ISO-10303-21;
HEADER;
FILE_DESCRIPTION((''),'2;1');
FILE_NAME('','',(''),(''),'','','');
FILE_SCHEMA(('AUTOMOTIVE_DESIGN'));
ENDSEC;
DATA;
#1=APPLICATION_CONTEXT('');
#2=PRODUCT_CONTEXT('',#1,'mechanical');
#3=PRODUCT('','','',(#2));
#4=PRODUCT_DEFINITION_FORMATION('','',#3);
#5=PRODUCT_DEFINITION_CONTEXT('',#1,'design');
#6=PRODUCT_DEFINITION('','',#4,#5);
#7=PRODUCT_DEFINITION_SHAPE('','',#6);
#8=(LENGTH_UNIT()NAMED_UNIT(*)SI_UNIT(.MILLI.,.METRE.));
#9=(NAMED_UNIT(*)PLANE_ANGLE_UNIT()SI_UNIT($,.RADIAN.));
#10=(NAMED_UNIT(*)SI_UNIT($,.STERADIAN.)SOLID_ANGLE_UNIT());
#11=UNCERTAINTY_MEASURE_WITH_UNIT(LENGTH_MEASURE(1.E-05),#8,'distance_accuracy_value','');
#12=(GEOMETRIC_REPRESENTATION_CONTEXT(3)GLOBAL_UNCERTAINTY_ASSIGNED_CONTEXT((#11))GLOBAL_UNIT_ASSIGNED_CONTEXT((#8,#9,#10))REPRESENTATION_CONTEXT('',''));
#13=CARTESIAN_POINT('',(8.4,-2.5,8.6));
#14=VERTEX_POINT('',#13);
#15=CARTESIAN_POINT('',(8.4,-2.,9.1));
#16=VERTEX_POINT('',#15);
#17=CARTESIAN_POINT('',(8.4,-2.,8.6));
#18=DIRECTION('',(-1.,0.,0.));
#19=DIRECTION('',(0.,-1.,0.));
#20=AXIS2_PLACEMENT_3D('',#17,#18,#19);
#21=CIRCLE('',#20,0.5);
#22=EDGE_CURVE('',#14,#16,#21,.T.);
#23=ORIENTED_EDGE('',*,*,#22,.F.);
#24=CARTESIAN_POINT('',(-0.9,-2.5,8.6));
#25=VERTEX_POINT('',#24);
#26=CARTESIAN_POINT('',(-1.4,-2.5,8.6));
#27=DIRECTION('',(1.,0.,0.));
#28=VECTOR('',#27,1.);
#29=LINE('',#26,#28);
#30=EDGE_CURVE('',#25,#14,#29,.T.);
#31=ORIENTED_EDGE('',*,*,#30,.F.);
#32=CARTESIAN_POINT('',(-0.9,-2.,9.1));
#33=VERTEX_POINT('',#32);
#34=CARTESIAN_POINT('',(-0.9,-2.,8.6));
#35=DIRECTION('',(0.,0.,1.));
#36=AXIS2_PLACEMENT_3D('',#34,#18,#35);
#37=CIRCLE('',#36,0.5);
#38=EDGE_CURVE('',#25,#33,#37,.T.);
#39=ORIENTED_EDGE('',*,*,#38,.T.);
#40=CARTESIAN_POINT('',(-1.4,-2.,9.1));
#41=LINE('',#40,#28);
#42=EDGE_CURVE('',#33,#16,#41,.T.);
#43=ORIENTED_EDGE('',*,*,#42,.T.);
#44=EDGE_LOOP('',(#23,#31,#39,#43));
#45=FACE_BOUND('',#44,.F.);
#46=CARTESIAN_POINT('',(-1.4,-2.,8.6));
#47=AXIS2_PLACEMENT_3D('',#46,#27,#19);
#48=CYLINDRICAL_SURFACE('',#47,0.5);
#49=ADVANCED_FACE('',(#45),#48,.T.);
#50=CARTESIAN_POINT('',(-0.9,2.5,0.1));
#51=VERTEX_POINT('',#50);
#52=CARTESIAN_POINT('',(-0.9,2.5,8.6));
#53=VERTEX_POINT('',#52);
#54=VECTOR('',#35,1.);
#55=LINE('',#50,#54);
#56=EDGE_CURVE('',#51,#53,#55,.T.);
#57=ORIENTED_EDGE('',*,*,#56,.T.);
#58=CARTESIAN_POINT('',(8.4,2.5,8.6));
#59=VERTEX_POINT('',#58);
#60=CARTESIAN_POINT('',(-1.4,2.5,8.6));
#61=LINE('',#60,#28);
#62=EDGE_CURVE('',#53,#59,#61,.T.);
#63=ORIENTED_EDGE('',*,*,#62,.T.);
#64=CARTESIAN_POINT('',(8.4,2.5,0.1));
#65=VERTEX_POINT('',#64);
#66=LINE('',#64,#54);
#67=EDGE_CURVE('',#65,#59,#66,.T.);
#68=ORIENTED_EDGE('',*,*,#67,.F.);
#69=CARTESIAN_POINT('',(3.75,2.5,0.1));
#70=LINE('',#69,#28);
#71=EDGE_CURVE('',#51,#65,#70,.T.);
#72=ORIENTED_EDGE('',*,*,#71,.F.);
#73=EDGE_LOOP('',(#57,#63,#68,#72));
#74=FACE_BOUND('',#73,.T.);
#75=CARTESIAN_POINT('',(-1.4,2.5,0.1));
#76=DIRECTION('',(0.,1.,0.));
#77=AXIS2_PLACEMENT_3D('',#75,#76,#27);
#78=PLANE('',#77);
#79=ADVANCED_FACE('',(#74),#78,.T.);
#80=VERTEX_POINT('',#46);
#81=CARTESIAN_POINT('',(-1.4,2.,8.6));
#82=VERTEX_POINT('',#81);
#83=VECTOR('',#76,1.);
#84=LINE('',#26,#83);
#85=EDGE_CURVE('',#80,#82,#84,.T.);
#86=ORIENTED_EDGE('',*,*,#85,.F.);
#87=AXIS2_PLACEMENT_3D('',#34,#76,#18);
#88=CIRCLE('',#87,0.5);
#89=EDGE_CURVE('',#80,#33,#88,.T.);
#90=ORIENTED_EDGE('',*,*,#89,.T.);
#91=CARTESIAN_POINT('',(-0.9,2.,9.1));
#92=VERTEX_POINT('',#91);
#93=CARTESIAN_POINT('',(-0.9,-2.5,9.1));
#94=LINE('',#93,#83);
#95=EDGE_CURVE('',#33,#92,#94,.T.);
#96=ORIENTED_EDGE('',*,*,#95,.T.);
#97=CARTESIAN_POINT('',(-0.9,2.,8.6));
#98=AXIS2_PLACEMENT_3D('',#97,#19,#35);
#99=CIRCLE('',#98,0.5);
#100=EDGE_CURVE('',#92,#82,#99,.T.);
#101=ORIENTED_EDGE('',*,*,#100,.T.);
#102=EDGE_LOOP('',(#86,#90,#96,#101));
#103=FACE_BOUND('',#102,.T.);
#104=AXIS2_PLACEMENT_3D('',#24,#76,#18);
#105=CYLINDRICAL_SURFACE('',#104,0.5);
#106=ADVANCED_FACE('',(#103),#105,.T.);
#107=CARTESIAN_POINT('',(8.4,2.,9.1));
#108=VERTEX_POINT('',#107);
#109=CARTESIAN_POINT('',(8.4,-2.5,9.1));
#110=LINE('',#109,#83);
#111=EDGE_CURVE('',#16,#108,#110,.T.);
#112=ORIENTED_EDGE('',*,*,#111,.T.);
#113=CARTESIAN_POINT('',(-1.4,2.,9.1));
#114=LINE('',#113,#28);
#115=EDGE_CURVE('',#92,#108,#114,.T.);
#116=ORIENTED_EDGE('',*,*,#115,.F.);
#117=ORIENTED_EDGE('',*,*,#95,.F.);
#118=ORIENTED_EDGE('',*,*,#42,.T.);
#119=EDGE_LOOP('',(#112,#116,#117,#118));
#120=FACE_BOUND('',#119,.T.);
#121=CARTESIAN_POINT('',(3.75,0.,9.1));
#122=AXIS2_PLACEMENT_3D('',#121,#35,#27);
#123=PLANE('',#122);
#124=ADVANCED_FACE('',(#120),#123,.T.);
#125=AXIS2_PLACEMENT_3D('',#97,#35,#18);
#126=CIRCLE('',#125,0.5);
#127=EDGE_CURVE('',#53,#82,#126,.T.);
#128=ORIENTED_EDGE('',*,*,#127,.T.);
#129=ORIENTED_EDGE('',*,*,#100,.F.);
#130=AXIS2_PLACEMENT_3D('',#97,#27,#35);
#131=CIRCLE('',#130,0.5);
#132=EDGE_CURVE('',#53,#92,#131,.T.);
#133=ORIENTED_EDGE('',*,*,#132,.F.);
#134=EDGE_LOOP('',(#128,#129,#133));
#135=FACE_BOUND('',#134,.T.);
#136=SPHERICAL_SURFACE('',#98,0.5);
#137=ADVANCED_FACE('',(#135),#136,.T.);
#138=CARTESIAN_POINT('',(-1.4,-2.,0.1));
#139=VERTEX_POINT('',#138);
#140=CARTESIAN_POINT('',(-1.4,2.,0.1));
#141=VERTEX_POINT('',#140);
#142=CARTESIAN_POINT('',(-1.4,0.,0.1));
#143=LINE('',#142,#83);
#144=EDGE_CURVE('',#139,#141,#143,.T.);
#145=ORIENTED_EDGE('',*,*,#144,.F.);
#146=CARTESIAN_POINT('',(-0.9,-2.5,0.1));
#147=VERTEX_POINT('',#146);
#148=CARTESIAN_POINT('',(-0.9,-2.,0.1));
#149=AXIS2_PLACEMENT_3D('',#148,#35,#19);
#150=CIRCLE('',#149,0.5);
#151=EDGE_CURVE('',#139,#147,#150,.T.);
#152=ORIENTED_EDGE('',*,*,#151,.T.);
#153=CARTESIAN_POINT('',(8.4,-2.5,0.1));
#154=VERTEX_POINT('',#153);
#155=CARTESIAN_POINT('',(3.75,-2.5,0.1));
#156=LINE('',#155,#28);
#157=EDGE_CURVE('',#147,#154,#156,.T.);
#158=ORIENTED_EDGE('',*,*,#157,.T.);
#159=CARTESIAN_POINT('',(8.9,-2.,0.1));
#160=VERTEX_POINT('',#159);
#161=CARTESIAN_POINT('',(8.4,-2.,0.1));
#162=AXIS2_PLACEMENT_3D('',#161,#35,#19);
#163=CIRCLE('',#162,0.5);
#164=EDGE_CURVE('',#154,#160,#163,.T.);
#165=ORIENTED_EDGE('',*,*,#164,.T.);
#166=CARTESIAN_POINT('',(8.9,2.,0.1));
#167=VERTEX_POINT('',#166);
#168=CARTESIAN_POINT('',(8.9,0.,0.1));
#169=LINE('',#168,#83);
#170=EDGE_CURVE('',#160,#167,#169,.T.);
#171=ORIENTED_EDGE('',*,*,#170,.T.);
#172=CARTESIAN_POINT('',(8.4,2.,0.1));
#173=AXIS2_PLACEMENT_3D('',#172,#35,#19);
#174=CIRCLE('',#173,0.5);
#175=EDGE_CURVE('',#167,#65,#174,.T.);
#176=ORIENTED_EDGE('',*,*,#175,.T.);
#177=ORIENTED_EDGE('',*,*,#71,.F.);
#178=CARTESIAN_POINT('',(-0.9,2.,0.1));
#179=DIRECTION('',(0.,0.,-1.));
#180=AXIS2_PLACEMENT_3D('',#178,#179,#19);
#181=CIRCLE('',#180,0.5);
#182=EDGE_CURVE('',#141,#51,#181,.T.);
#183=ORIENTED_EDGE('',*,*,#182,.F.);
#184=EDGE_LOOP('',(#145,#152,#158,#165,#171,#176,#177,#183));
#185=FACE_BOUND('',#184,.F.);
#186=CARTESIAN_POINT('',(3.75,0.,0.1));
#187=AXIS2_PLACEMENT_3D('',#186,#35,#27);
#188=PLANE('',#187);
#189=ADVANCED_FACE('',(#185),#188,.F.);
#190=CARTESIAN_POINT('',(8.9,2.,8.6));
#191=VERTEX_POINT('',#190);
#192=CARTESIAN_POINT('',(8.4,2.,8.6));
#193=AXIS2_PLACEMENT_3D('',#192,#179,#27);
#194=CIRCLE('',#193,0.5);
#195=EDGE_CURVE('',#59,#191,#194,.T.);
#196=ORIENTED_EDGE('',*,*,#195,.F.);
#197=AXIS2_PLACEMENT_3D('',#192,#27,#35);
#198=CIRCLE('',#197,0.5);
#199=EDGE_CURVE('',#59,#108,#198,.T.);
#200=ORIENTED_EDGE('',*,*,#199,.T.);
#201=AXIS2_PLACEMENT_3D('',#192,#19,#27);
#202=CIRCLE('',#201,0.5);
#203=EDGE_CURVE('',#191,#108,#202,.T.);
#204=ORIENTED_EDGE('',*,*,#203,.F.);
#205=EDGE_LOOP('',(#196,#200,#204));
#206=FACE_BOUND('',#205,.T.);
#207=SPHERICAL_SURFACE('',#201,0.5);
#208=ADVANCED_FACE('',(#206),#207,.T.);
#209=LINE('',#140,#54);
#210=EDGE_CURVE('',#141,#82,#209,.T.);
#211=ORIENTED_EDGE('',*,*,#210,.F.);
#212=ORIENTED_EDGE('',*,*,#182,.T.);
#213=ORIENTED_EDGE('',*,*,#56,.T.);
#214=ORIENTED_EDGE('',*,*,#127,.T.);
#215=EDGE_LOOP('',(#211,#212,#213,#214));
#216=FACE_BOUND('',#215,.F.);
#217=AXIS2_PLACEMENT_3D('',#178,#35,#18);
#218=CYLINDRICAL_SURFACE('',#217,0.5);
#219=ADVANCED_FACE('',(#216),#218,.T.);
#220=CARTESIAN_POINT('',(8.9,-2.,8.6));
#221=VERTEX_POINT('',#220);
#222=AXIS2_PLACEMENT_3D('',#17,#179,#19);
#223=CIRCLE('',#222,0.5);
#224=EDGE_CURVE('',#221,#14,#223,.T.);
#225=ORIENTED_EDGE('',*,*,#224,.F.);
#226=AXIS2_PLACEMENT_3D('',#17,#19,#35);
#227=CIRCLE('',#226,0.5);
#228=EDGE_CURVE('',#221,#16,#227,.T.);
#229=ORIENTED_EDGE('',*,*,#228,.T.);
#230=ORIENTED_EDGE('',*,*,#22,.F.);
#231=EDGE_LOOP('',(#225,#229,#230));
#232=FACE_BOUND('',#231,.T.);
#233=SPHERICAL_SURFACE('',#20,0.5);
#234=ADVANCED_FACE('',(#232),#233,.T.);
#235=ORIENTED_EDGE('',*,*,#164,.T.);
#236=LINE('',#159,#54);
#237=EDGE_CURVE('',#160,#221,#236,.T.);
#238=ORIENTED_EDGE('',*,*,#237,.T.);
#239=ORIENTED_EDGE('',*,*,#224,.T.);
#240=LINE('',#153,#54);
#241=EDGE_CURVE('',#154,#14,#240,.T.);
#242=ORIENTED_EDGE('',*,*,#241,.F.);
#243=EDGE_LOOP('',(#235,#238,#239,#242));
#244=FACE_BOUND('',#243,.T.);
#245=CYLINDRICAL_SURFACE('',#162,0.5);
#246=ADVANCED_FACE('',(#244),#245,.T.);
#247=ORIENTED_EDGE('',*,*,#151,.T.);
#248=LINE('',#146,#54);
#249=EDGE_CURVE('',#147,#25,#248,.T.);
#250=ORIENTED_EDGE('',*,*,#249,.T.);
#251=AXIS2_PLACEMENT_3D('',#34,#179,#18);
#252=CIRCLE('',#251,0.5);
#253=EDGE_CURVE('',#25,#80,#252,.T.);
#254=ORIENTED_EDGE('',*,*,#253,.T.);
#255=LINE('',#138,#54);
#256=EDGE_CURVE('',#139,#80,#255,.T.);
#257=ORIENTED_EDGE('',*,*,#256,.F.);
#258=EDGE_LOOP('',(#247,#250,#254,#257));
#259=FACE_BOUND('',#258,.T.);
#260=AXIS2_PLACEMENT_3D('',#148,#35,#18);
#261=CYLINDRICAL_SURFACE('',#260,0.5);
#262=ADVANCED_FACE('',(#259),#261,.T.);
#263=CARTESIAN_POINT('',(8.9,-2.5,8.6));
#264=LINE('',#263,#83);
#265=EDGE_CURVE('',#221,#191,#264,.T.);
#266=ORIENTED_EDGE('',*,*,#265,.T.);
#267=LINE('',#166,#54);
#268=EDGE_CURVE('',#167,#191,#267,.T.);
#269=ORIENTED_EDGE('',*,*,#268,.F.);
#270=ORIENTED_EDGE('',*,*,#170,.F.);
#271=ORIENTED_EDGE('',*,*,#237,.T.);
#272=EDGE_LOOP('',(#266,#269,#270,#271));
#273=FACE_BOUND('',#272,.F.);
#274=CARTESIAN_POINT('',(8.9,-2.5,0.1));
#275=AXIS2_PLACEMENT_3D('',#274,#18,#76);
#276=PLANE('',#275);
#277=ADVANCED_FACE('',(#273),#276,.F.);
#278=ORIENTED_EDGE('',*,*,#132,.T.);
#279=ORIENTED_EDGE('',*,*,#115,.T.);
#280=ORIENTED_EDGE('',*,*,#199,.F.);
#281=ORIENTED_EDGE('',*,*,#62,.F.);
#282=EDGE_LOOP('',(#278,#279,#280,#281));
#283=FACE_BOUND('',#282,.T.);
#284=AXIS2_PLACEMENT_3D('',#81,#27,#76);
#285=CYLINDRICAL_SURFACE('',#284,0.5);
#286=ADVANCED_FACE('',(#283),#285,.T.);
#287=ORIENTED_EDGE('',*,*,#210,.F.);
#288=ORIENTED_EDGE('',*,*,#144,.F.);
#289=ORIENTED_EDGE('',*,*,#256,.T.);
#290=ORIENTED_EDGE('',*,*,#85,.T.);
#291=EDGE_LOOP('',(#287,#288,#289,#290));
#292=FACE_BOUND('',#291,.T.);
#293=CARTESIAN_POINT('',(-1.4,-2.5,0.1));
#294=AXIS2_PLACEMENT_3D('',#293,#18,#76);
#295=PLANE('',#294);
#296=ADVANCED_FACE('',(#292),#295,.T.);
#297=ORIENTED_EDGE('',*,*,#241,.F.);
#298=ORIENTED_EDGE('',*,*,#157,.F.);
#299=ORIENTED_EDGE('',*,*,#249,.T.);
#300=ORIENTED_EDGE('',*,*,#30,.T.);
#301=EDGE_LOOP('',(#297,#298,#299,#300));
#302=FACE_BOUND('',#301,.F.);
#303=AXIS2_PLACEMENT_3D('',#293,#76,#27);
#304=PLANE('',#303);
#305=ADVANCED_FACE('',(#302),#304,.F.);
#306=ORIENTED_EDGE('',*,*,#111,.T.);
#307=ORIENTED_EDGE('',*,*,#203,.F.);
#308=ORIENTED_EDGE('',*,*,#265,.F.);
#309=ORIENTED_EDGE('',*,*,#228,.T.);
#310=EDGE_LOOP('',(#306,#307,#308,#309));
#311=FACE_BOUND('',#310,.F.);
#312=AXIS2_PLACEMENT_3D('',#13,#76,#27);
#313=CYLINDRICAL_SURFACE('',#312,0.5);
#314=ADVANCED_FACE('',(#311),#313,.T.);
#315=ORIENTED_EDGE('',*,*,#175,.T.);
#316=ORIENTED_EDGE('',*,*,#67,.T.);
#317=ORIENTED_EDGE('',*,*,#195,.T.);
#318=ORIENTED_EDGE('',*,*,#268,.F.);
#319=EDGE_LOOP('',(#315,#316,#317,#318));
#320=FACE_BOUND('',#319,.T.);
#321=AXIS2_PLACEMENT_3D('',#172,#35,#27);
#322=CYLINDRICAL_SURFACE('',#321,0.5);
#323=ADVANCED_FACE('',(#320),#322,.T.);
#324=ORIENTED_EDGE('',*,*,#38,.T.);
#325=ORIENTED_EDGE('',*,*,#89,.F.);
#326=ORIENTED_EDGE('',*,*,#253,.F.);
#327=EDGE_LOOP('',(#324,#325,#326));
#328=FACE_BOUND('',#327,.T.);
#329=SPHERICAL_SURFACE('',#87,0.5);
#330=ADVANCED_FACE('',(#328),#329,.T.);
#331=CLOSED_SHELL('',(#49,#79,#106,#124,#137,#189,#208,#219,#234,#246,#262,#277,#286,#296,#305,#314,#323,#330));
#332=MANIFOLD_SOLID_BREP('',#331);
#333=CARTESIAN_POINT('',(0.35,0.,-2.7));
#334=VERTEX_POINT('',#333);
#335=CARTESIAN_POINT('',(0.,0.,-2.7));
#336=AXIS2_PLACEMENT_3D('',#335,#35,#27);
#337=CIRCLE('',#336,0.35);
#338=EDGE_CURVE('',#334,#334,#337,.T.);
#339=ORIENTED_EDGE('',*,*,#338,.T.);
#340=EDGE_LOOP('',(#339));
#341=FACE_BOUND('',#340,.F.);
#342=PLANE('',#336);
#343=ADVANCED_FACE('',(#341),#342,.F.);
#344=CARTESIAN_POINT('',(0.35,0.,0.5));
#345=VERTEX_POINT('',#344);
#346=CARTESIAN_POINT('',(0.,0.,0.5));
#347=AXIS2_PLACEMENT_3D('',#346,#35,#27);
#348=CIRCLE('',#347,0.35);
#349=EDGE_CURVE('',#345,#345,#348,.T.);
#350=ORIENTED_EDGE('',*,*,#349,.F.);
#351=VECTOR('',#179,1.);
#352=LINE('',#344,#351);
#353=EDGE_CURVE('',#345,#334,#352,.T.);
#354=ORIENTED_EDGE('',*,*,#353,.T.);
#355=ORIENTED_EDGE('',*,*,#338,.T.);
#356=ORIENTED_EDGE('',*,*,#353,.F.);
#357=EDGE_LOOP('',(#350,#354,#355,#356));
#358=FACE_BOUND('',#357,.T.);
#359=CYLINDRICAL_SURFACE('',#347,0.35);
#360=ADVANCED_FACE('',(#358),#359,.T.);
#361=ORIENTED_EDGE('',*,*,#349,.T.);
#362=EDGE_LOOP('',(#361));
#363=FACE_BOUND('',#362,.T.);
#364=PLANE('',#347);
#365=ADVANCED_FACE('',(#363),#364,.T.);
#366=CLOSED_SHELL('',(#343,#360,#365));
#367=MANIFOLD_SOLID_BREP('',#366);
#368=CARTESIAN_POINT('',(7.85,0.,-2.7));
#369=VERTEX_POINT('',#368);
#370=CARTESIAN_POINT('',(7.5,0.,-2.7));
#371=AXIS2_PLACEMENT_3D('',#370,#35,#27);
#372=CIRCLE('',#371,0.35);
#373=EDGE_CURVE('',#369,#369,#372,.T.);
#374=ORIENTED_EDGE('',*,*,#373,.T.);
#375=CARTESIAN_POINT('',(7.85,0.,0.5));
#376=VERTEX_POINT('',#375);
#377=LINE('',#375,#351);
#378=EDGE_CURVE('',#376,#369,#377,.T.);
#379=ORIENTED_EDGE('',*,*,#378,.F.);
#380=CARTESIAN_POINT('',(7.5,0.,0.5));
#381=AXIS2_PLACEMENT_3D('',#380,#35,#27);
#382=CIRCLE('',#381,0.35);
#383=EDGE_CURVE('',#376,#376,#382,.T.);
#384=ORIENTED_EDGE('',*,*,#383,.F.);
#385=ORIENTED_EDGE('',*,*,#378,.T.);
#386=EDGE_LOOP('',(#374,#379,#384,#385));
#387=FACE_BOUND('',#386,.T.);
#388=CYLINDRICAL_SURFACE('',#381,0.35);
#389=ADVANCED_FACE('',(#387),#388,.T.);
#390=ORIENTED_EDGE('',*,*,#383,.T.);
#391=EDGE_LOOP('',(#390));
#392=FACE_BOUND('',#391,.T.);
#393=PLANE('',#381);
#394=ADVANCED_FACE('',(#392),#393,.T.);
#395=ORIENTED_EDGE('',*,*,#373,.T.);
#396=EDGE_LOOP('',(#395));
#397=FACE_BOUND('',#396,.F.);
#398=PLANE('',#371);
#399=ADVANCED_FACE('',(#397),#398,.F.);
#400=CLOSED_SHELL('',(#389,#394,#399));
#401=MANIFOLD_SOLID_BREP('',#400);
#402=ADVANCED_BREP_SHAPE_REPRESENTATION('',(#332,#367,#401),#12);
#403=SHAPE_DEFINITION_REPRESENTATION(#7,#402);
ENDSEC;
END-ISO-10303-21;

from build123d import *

# Parameters (mm, degrees)
SKETCH_W     = 10.3
SKETCH_H     = 5
PAD_DEPTH    = 9
FILLET_R     = 0.5
SKETCH001_R  = 0.35
PAD001_DEPTH = 3.2


with BuildPart() as fillet_body:
    # Sketch → Pad (new body)
    with BuildSketch(Plane.XY.offset(0.1)):
        with Locations((3.75, 0)):
            Rectangle(SKETCH_W, SKETCH_H)
    extrude(amount=PAD_DEPTH)

    # Fillet
    fillet_edges = [fillet_body.edges().sort_by_distance(p)[0] for p in [
        (-1.4, 0, 9.1),
        (-1.4, -2.5, 4.6),
        (3.75, -2.5, 9.1),
        (8.9, -2.5, 4.6),
        (8.9, 0, 9.1),
        (8.9, 2.5, 4.6),
        (3.75, 2.5, 9.1),
        (-1.4, 2.5, 4.6),
    ]]
    fillet(fillet_edges, radius=FILLET_R)


with BuildPart() as pad001:
    # Sketch001 → Pad001 (new body)
    with BuildSketch(Plane.XY.offset(0.5)):
        Circle(SKETCH001_R)
        with Locations((7.5, 0)):
            Circle(SKETCH001_R)
    extrude(amount=-PAD001_DEPTH)


solid = Compound([fillet_body.part, pad001.part])
